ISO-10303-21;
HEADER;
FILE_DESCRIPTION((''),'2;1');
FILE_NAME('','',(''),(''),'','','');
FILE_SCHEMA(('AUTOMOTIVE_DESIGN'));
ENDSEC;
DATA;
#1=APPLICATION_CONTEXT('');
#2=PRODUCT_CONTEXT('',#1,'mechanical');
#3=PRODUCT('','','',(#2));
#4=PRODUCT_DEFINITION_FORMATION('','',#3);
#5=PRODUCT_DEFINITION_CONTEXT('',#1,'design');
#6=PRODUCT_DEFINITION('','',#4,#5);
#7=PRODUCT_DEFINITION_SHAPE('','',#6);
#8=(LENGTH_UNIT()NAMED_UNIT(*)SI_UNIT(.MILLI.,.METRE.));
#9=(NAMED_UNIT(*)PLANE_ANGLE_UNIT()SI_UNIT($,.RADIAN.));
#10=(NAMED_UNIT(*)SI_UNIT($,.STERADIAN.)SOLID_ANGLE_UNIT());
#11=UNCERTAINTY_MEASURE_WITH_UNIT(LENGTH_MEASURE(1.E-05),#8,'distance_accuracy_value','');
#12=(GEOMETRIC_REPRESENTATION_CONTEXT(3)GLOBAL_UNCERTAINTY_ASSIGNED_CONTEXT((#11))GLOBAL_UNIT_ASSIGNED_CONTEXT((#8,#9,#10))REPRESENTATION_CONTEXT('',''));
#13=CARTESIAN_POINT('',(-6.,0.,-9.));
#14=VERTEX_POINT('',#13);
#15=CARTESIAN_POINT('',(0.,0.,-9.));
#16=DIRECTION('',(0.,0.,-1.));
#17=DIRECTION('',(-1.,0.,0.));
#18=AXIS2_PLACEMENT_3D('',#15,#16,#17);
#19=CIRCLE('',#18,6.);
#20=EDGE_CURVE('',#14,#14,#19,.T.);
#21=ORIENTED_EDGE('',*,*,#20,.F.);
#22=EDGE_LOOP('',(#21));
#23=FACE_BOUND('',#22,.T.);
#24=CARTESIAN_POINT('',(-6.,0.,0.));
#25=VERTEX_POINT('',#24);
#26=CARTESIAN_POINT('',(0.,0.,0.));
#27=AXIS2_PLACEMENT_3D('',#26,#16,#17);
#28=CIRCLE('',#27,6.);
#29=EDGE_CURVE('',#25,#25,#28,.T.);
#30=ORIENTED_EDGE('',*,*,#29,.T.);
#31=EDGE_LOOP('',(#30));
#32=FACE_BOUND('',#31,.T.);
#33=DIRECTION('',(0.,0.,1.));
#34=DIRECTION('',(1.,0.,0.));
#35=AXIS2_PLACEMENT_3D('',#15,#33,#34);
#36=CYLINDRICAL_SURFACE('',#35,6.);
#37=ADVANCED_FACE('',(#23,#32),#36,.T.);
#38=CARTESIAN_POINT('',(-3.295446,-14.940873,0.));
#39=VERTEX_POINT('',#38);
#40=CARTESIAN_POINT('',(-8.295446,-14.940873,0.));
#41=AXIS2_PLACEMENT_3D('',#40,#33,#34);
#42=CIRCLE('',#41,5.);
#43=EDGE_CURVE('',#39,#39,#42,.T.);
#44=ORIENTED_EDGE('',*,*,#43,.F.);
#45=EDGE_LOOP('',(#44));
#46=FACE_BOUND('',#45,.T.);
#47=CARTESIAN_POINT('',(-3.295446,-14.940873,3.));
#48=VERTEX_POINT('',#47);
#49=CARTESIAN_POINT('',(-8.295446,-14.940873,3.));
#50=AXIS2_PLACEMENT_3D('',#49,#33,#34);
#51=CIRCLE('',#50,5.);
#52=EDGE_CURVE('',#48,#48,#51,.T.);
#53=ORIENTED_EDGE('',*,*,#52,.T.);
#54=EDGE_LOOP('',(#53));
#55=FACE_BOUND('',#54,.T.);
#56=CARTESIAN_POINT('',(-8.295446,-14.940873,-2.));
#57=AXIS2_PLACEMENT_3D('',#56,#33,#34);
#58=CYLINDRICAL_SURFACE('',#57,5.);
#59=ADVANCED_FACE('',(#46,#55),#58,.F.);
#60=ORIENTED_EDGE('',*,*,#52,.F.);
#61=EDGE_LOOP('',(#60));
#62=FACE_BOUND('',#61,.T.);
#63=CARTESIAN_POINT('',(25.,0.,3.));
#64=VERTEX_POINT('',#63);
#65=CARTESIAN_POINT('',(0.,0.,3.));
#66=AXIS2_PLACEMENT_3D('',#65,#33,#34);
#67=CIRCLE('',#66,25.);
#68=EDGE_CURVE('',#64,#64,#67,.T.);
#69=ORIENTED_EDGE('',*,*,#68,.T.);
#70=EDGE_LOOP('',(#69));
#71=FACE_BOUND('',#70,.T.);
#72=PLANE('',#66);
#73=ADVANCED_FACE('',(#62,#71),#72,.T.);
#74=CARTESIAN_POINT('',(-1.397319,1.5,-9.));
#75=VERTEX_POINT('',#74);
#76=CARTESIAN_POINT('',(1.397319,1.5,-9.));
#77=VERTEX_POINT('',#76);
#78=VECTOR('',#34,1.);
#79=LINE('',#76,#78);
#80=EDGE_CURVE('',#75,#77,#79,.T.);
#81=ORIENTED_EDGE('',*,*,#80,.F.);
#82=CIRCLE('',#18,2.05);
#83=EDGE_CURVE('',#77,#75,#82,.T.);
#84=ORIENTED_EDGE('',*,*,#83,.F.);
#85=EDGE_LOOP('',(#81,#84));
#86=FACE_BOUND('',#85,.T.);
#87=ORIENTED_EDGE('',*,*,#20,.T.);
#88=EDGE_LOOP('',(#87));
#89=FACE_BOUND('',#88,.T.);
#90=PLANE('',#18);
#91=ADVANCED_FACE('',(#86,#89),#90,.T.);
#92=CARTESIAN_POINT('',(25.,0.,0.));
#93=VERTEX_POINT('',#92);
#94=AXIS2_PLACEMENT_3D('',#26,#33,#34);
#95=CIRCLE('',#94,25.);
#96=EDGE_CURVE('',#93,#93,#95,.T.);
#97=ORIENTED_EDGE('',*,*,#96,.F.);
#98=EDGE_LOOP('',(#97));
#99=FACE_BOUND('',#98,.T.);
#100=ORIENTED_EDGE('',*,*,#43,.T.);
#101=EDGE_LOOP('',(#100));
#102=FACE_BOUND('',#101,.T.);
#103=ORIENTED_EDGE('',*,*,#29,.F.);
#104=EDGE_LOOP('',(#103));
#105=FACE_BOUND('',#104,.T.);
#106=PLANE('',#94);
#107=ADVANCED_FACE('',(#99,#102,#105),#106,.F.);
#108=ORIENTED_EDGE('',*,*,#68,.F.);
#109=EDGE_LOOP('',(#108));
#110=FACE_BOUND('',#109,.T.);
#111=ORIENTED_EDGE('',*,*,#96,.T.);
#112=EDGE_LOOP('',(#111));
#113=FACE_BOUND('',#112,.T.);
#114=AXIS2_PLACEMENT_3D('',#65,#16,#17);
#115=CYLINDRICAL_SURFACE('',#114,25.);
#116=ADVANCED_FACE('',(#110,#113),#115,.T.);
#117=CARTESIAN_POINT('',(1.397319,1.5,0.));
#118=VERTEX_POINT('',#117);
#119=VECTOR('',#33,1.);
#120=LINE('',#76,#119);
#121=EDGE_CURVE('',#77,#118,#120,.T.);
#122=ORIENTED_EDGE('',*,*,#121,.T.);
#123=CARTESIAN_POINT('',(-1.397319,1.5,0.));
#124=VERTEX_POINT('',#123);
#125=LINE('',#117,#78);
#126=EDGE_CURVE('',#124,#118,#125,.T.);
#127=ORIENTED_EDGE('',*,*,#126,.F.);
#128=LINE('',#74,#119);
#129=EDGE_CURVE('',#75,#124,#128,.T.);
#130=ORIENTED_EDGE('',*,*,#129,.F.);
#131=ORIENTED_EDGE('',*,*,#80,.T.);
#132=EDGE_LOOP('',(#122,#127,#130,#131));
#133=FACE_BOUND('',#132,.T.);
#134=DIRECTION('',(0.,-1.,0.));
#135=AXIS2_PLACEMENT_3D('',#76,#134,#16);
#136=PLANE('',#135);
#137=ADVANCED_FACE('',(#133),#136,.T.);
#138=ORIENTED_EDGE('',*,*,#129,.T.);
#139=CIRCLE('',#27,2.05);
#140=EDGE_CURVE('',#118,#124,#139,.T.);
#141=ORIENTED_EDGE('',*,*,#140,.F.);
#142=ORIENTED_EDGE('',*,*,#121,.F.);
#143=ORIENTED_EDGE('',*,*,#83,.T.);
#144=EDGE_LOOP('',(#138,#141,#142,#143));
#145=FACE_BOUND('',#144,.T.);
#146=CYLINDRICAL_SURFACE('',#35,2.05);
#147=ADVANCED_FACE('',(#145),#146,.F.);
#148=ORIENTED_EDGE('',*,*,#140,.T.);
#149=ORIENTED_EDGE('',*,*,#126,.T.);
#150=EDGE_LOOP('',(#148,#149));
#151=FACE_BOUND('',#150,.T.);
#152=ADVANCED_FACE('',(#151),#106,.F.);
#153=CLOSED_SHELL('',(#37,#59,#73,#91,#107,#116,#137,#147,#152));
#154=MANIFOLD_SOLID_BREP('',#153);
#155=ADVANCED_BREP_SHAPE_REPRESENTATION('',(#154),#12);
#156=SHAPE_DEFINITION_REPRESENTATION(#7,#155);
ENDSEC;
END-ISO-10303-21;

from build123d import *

# Parameters (mm, degrees)
ESQUISSE1_R             = 25
BOSS_EXTRU_1_DEPTH      = 3
ESQUISSE3_R             = 6
BOSS_EXTRU_3_DEPTH      = 9
ESQUISSE4_R             = 5
ENL_V_MAT_EXTRU_2_DEPTH = 5


with BuildPart() as part:
    # Esquisse1 → Boss.-Extru.1 (new body)
    with BuildSketch(Plane.XY):
        Circle(ESQUISSE1_R)
    extrude(amount=BOSS_EXTRU_1_DEPTH)

    # Esquisse3 → Boss.-Extru.3 (add)
    with BuildSketch(Plane(origin=(0, 0, 0), x_dir=(-1, 0, 0), z_dir=(0, 0, -1))):
        Circle(ESQUISSE3_R)
        with BuildLine():
            Line((-1.397318861, 1.5), (1.397318861, 1.5))
            ThreePointArc((1.397318861, 1.5), (0, -2.05), (-1.397318861, 1.5))
        make_face(mode=Mode.SUBTRACT)
    extrude(amount=BOSS_EXTRU_3_DEPTH)

    # Esquisse4 → Enlèv. mat.-Extru.2 (cut)
    with BuildSketch(Plane.XY.offset(3)):
        with Locations((-8.295445994, -14.94087289)):
            Circle(ESQUISSE4_R)
    extrude(amount=-ENL_V_MAT_EXTRU_2_DEPTH, mode=Mode.SUBTRACT)


solid = part.part
